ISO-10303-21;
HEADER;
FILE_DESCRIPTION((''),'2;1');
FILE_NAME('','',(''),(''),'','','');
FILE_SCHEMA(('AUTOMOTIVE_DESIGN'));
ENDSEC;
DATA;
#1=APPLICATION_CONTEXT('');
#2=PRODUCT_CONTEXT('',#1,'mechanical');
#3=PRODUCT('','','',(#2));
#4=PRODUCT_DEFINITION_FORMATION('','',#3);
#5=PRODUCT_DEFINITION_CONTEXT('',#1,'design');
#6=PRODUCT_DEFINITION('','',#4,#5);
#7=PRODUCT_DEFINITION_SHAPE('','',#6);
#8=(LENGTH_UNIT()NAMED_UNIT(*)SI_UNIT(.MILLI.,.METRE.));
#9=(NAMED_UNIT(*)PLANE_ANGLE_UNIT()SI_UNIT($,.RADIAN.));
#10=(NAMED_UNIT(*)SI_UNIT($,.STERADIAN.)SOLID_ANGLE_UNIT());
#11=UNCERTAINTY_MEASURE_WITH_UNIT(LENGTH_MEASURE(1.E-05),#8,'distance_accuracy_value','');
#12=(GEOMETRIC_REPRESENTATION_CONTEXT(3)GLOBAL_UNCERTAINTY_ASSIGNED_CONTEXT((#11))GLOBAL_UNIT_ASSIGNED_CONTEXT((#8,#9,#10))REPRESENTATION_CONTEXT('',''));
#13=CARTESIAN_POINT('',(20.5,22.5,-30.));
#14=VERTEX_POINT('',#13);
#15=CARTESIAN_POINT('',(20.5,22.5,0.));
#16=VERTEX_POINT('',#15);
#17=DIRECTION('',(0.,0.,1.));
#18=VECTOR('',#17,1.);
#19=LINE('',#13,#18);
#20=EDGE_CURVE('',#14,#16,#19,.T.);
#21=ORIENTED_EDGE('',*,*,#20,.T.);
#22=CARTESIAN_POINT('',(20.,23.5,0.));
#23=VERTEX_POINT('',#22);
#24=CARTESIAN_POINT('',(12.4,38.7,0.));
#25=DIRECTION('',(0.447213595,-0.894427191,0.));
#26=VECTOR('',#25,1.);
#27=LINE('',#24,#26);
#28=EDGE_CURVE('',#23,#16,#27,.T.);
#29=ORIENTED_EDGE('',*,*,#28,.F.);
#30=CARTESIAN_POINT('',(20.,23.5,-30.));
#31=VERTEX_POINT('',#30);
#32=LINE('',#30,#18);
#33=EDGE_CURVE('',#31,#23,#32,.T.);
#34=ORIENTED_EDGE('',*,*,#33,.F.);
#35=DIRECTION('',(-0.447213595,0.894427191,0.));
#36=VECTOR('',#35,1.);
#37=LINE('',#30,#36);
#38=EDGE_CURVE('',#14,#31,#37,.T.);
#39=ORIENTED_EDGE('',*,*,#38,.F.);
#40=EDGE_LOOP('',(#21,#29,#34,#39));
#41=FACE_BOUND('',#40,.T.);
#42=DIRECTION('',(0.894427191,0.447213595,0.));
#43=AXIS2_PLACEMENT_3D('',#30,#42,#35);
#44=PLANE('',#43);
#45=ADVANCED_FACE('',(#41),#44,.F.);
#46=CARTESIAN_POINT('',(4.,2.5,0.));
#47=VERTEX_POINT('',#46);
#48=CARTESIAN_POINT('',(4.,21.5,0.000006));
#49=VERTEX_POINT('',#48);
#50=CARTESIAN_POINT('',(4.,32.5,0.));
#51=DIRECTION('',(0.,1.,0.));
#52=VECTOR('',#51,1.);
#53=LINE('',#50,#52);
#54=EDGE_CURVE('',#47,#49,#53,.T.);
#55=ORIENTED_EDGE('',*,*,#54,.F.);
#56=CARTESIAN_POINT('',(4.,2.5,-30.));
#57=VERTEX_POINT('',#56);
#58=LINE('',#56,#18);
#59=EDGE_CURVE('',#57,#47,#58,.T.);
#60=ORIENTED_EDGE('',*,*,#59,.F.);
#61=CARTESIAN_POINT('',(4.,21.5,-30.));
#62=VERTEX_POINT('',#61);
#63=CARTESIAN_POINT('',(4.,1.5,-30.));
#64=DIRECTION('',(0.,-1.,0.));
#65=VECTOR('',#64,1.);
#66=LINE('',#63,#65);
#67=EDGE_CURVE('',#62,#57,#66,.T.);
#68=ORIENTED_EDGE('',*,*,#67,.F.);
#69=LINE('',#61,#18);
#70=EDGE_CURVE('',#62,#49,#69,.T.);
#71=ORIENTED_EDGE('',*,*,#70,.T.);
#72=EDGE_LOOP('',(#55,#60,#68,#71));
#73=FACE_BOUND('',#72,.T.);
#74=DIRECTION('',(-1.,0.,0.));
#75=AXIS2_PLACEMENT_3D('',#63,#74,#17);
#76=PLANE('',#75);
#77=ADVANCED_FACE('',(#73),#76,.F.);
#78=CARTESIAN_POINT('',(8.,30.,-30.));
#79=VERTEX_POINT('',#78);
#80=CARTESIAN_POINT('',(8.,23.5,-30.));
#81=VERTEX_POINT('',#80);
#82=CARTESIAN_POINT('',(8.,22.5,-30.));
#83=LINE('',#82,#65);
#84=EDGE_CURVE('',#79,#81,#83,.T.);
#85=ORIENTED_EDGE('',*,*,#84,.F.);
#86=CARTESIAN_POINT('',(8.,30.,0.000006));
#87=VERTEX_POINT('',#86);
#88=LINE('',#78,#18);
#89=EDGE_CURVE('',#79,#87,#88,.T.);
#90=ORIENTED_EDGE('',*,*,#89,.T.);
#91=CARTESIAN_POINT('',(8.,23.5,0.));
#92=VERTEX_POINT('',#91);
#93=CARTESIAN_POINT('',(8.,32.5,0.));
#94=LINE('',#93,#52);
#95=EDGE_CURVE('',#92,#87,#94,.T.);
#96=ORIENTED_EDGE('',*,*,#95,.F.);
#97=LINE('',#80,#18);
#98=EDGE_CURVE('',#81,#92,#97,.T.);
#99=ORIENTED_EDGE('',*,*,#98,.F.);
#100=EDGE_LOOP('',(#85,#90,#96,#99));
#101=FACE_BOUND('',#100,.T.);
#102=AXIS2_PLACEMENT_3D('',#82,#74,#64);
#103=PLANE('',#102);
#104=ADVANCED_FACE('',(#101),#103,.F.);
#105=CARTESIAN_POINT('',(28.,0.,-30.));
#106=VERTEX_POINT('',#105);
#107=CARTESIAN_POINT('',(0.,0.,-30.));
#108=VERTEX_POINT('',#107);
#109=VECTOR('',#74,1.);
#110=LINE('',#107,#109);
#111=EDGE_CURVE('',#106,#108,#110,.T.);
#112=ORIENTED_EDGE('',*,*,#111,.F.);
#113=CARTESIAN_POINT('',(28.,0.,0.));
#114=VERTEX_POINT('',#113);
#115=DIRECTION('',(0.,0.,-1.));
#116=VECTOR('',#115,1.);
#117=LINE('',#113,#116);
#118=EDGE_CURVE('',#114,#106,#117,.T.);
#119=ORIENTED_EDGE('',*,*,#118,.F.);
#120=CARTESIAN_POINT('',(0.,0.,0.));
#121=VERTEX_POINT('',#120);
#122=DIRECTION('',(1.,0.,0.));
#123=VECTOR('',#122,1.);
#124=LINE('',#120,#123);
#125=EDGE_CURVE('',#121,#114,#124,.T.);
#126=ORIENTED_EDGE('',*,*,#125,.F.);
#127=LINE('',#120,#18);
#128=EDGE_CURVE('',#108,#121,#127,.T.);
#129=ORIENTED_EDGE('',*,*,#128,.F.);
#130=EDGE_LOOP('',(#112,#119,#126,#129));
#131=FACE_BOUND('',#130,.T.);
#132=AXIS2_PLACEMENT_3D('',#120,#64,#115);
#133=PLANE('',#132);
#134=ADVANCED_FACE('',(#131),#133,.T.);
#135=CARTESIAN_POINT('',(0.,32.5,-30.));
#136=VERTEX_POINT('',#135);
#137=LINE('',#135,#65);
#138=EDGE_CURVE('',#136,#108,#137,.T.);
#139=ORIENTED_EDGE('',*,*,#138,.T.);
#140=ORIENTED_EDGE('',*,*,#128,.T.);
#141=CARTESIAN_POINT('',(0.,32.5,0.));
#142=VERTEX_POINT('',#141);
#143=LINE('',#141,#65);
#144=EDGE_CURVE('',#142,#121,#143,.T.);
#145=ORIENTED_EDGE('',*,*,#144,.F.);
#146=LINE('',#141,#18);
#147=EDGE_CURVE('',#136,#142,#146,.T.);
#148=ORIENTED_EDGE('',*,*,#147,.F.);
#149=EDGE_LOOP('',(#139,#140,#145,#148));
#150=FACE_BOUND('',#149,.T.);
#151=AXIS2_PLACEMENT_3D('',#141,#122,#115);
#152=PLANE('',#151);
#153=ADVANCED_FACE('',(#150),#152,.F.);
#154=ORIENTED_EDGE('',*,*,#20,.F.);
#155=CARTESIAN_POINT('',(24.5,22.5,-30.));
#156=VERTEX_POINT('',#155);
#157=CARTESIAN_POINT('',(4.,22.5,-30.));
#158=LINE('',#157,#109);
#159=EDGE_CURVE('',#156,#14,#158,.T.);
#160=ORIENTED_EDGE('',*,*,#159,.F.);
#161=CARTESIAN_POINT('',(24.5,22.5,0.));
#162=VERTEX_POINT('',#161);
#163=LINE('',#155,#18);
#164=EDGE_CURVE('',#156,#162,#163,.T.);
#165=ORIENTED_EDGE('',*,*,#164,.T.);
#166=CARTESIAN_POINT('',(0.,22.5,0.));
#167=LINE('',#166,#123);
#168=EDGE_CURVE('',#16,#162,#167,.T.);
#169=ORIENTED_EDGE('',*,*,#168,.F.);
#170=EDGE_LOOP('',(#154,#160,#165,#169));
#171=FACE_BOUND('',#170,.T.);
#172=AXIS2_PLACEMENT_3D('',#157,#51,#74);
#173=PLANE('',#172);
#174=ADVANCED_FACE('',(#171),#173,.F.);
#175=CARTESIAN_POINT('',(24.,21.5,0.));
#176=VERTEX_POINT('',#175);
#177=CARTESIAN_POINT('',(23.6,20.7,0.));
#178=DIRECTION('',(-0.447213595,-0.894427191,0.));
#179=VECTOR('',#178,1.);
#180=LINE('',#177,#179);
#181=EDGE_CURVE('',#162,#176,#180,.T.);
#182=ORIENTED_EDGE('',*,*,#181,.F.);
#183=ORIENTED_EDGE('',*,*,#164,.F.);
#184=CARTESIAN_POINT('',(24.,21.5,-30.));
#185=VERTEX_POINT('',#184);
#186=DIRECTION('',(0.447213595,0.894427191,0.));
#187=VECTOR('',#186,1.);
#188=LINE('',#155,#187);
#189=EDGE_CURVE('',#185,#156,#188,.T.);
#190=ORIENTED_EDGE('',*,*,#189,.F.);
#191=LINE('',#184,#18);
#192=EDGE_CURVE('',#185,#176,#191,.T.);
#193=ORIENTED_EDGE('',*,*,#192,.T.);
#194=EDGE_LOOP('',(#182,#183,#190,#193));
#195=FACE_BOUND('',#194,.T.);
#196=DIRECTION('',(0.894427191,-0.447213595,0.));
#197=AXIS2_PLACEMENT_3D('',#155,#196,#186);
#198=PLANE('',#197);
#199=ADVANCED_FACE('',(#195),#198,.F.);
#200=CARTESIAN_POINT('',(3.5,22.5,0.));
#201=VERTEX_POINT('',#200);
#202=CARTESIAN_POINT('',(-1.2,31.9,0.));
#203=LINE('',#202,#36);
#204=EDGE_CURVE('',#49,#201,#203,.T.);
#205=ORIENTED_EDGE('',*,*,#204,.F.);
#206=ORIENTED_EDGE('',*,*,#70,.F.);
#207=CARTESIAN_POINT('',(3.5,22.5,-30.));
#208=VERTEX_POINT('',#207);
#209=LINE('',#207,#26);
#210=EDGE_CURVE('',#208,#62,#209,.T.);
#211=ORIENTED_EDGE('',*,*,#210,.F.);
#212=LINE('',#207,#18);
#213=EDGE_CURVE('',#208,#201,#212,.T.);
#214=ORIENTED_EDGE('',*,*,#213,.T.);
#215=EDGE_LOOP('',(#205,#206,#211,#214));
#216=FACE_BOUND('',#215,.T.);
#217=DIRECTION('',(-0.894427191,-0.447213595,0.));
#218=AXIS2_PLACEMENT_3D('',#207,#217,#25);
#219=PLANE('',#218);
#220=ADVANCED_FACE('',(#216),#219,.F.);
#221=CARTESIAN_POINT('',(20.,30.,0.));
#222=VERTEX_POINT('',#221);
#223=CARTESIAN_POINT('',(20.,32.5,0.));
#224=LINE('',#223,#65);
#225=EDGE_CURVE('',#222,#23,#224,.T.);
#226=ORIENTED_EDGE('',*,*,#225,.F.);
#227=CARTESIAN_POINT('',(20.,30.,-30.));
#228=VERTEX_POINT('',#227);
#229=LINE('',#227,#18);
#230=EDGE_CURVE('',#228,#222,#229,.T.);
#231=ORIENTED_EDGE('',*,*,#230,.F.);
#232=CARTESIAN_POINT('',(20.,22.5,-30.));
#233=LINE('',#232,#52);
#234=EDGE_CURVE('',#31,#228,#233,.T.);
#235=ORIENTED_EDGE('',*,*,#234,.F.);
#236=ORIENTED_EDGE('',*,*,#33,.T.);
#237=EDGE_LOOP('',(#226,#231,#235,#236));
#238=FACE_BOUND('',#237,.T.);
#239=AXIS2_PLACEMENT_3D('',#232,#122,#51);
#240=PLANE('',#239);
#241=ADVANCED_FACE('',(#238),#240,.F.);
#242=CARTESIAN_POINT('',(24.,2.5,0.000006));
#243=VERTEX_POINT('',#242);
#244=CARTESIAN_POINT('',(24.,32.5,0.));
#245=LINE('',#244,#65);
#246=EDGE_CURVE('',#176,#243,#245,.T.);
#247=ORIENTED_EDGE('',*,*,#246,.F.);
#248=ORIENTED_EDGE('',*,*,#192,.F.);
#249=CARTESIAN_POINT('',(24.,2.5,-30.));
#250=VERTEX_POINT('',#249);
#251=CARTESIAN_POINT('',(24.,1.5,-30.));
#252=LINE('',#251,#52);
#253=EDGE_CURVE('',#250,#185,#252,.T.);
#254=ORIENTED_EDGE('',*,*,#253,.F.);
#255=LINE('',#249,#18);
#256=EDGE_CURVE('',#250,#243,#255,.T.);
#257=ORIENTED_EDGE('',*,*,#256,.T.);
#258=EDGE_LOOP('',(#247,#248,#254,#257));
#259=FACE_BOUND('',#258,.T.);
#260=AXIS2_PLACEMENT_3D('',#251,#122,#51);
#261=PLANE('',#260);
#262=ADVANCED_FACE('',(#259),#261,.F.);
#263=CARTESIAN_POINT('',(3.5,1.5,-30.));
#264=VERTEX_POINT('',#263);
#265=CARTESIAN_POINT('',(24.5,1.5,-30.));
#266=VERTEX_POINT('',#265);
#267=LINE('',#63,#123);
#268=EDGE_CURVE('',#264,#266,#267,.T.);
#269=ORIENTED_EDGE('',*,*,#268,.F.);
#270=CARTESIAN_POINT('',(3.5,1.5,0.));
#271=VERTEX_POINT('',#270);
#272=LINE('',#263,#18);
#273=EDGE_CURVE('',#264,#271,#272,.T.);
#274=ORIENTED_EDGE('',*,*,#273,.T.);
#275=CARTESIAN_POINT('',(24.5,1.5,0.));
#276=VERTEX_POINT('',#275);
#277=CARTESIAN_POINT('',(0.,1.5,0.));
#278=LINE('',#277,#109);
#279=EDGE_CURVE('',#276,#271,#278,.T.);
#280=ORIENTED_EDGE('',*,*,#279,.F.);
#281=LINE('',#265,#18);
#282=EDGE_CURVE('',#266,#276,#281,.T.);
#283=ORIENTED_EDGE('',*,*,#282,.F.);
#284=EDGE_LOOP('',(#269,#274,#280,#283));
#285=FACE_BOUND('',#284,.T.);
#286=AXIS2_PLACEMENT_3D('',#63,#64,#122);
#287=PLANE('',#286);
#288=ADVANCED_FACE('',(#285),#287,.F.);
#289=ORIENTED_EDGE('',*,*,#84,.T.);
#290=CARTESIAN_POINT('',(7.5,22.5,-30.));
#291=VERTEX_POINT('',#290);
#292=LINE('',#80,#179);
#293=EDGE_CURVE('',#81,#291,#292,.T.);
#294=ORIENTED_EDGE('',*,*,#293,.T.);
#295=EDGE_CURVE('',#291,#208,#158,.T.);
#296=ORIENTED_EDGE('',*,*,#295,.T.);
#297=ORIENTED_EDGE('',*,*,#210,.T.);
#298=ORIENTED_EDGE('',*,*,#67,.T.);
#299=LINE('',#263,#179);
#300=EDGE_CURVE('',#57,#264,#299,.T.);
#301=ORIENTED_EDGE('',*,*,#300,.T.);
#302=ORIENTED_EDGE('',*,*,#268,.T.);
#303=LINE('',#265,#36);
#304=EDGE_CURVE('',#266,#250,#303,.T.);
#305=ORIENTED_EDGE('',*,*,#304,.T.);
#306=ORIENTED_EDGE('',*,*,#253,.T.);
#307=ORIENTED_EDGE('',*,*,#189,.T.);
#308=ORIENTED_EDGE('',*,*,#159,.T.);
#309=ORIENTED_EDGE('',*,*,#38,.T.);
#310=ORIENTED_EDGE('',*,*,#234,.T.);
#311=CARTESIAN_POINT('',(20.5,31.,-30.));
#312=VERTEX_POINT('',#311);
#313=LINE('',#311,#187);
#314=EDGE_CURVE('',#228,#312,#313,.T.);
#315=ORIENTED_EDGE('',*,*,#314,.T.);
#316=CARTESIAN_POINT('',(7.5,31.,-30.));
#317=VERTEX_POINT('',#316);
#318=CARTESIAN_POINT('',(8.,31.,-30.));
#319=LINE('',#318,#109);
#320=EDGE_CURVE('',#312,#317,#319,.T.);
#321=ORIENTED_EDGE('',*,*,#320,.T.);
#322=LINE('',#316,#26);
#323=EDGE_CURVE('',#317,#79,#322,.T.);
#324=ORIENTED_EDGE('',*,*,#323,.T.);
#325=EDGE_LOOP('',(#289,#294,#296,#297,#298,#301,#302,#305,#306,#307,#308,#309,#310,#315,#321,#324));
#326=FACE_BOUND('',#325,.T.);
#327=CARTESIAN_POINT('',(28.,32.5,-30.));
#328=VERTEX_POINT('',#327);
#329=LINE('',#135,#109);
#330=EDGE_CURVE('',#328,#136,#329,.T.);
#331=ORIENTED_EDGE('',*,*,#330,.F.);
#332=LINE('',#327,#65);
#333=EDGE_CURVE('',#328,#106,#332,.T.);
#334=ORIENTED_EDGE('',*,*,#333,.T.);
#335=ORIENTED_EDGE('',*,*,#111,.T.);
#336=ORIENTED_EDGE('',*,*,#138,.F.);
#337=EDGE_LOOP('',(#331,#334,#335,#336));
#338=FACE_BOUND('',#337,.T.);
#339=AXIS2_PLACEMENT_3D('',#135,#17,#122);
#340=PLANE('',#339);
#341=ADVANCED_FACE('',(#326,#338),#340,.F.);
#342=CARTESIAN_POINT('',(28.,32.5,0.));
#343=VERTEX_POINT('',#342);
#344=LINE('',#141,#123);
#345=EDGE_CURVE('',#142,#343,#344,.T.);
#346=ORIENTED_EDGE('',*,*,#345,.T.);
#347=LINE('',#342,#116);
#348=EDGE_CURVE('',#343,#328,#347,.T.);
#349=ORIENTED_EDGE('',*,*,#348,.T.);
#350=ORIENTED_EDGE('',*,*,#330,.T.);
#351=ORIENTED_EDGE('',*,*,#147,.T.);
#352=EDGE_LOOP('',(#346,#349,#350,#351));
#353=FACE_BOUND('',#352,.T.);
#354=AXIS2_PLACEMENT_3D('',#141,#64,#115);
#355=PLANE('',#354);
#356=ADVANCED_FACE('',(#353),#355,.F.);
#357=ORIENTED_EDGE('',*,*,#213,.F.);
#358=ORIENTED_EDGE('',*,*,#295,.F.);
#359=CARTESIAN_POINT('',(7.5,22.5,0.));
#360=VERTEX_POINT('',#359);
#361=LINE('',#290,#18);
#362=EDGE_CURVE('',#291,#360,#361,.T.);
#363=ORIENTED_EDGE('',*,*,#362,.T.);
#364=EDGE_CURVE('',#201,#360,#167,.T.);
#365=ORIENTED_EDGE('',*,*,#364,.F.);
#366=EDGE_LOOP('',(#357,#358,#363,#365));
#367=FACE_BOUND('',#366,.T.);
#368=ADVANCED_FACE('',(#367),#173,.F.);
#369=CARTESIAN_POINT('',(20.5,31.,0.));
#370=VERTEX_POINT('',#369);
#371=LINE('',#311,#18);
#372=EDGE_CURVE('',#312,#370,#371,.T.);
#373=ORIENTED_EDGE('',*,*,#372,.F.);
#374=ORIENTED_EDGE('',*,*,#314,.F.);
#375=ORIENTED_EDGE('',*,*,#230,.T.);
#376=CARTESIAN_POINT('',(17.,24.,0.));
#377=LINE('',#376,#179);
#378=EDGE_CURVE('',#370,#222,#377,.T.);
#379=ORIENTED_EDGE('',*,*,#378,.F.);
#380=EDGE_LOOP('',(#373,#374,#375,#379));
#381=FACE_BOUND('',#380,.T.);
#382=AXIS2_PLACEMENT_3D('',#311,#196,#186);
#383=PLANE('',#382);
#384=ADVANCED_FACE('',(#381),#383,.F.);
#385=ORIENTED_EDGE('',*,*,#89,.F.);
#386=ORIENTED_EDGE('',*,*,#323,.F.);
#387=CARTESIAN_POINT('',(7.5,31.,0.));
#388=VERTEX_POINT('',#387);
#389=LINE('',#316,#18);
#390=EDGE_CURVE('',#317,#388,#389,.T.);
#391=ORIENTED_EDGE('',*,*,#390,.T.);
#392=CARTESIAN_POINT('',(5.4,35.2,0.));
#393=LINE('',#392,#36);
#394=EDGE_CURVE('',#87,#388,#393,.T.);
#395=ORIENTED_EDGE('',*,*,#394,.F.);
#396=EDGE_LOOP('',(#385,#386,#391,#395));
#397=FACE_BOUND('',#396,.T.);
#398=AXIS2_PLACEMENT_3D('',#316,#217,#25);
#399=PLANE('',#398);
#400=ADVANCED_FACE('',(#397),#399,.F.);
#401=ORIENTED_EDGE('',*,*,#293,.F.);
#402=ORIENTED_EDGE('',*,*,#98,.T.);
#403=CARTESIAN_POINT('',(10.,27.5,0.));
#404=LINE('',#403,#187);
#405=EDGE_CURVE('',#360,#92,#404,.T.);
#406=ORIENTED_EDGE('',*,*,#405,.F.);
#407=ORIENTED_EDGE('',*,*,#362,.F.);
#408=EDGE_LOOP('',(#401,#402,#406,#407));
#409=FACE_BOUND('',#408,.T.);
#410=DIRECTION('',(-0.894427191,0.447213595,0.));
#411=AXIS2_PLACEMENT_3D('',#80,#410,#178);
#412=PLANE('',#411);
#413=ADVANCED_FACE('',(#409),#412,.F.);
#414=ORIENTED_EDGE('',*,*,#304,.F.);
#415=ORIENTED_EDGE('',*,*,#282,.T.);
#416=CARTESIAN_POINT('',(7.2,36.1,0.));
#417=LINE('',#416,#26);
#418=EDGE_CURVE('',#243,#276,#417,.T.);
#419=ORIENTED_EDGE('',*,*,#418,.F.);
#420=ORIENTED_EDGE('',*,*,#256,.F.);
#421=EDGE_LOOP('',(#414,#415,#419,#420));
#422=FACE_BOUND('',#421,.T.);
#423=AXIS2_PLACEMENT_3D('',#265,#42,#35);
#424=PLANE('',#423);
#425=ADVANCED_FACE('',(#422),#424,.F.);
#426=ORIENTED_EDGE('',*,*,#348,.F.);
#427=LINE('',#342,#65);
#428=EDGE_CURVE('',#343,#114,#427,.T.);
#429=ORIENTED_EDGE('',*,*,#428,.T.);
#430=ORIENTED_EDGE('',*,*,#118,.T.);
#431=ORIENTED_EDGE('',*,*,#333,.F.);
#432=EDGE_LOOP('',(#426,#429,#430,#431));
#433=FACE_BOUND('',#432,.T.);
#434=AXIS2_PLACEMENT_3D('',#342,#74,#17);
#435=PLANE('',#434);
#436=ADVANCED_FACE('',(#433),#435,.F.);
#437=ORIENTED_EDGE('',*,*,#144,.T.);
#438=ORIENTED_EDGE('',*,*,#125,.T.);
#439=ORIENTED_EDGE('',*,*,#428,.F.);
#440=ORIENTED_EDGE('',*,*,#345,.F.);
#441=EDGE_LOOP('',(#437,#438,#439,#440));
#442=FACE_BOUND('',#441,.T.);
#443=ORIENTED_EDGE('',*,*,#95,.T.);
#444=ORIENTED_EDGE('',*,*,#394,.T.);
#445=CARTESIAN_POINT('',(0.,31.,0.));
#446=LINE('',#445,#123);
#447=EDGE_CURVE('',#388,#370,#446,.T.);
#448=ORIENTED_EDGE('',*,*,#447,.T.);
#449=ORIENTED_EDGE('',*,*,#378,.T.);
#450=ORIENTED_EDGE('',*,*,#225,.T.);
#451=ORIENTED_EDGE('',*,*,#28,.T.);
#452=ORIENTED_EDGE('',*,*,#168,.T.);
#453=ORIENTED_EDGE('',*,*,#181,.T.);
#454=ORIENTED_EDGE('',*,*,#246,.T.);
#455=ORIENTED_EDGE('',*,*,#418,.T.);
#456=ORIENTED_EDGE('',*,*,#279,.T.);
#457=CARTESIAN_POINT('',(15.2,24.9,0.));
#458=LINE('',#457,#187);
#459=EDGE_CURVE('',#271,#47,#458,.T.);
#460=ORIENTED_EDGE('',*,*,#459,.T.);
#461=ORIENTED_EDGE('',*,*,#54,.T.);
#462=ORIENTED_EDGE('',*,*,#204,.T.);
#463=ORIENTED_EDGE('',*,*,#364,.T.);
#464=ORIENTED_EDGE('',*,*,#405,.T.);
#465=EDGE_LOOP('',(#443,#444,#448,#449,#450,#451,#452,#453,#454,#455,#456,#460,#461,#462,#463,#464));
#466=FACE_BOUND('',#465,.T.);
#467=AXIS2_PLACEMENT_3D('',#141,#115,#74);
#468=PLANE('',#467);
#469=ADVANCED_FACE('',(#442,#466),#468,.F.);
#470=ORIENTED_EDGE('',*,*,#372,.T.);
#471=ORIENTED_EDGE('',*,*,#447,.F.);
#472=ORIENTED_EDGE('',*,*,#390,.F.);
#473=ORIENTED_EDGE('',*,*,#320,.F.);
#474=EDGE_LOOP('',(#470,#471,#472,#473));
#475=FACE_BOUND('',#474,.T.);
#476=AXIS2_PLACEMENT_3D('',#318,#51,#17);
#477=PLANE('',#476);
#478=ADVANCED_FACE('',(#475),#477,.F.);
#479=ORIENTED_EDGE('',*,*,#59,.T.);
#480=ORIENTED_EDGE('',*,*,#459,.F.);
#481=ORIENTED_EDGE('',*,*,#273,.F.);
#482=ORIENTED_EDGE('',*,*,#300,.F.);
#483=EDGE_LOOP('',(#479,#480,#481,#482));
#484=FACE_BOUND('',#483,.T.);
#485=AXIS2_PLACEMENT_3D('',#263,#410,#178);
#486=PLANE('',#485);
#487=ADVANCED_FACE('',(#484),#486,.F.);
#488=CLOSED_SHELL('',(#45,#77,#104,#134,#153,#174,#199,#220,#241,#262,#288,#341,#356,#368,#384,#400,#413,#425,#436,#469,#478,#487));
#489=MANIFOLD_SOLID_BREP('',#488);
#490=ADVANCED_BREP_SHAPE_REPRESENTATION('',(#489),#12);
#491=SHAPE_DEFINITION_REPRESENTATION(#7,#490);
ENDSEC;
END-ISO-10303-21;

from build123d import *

# Parameters (mm, degrees)
SKETCH1_W               = 28
SKETCH1_H               = 30
BOSS_EXTRUDE1_DEPTH     = 32.5
CUT_EXTRUDE1_DEPTH      = 53.347397261
CUT_EXTRUDE1_DEPTH_BACK = 53.347397261
SKETCH2_W               = 20
SKETCH2_H               = 21
CUT_EXTRUDE2_DEPTH      = 53.347397261
CUT_EXTRUDE2_DEPTH_BACK = 53.347397261
SKETCH3_W               = 12
SKETCH3_H               = 8.5
CUT_EXTRUDE3_DEPTH      = 53.347397261
CUT_EXTRUDE3_DEPTH_BACK = 53.347397261


with BuildPart() as part:
    # Sketch1 → Boss-Extrude1 (new body)
    with BuildSketch(Plane(origin=(0, 0, 0), x_dir=(1, 0, 0), z_dir=(0, 1, 0))):
        with Locations((14, 15)):
            Rectangle(SKETCH1_W, SKETCH1_H)
    extrude(amount=BOSS_EXTRUDE1_DEPTH)

    # Sketch2 → Cut-Extrude1 (cut, two sides: drawn at the far end of the back side and taken through both)
    with BuildSketch(Plane.XY.offset(-CUT_EXTRUDE1_DEPTH_BACK)):
        with Locations((14, 12)):
            Rectangle(SKETCH2_W, SKETCH2_H)
    extrude(amount=CUT_EXTRUDE1_DEPTH + CUT_EXTRUDE1_DEPTH_BACK, mode=Mode.SUBTRACT)

    # Sketch3 → Cut-Extrude2 (cut, two sides: drawn at the far end of the back side and taken through both)
    with BuildSketch(Plane.XY.offset(-CUT_EXTRUDE2_DEPTH_BACK)):
        with Locations((14, 26.75)):
            Rectangle(SKETCH3_W, SKETCH3_H)
    extrude(amount=CUT_EXTRUDE2_DEPTH + CUT_EXTRUDE2_DEPTH_BACK, mode=Mode.SUBTRACT)

    # Sketch4 → Cut-Extrude3 (cut, two sides: drawn at the far end of the back side and taken through both)
    with BuildSketch(Plane.XY.offset(-CUT_EXTRUDE3_DEPTH_BACK)):
        Polygon((8, 22.5), (8, 23.5), (7.5, 22.5), align=None)
        Polygon((4, 22.5), (3.5, 22.5), (4, 21.5), align=None)
        Polygon((20, 22.5), (20, 23.5), (20.5, 22.5), align=None)
        Polygon((8, 31), (7.5, 31), (8, 30), align=None)
        Polygon((20, 31), (20.5, 31), (20, 30), align=None)
        Polygon((24, 22.5), (24.5, 22.5), (24, 21.5), align=None)
        Polygon((24, 1.5), (24.5, 1.5), (24, 2.5), align=None)
        Polygon((4, 1.5), (3.5, 1.5), (4, 2.5), align=None)
    extrude(amount=CUT_EXTRUDE3_DEPTH + CUT_EXTRUDE3_DEPTH_BACK, mode=Mode.SUBTRACT)


solid = part.part
